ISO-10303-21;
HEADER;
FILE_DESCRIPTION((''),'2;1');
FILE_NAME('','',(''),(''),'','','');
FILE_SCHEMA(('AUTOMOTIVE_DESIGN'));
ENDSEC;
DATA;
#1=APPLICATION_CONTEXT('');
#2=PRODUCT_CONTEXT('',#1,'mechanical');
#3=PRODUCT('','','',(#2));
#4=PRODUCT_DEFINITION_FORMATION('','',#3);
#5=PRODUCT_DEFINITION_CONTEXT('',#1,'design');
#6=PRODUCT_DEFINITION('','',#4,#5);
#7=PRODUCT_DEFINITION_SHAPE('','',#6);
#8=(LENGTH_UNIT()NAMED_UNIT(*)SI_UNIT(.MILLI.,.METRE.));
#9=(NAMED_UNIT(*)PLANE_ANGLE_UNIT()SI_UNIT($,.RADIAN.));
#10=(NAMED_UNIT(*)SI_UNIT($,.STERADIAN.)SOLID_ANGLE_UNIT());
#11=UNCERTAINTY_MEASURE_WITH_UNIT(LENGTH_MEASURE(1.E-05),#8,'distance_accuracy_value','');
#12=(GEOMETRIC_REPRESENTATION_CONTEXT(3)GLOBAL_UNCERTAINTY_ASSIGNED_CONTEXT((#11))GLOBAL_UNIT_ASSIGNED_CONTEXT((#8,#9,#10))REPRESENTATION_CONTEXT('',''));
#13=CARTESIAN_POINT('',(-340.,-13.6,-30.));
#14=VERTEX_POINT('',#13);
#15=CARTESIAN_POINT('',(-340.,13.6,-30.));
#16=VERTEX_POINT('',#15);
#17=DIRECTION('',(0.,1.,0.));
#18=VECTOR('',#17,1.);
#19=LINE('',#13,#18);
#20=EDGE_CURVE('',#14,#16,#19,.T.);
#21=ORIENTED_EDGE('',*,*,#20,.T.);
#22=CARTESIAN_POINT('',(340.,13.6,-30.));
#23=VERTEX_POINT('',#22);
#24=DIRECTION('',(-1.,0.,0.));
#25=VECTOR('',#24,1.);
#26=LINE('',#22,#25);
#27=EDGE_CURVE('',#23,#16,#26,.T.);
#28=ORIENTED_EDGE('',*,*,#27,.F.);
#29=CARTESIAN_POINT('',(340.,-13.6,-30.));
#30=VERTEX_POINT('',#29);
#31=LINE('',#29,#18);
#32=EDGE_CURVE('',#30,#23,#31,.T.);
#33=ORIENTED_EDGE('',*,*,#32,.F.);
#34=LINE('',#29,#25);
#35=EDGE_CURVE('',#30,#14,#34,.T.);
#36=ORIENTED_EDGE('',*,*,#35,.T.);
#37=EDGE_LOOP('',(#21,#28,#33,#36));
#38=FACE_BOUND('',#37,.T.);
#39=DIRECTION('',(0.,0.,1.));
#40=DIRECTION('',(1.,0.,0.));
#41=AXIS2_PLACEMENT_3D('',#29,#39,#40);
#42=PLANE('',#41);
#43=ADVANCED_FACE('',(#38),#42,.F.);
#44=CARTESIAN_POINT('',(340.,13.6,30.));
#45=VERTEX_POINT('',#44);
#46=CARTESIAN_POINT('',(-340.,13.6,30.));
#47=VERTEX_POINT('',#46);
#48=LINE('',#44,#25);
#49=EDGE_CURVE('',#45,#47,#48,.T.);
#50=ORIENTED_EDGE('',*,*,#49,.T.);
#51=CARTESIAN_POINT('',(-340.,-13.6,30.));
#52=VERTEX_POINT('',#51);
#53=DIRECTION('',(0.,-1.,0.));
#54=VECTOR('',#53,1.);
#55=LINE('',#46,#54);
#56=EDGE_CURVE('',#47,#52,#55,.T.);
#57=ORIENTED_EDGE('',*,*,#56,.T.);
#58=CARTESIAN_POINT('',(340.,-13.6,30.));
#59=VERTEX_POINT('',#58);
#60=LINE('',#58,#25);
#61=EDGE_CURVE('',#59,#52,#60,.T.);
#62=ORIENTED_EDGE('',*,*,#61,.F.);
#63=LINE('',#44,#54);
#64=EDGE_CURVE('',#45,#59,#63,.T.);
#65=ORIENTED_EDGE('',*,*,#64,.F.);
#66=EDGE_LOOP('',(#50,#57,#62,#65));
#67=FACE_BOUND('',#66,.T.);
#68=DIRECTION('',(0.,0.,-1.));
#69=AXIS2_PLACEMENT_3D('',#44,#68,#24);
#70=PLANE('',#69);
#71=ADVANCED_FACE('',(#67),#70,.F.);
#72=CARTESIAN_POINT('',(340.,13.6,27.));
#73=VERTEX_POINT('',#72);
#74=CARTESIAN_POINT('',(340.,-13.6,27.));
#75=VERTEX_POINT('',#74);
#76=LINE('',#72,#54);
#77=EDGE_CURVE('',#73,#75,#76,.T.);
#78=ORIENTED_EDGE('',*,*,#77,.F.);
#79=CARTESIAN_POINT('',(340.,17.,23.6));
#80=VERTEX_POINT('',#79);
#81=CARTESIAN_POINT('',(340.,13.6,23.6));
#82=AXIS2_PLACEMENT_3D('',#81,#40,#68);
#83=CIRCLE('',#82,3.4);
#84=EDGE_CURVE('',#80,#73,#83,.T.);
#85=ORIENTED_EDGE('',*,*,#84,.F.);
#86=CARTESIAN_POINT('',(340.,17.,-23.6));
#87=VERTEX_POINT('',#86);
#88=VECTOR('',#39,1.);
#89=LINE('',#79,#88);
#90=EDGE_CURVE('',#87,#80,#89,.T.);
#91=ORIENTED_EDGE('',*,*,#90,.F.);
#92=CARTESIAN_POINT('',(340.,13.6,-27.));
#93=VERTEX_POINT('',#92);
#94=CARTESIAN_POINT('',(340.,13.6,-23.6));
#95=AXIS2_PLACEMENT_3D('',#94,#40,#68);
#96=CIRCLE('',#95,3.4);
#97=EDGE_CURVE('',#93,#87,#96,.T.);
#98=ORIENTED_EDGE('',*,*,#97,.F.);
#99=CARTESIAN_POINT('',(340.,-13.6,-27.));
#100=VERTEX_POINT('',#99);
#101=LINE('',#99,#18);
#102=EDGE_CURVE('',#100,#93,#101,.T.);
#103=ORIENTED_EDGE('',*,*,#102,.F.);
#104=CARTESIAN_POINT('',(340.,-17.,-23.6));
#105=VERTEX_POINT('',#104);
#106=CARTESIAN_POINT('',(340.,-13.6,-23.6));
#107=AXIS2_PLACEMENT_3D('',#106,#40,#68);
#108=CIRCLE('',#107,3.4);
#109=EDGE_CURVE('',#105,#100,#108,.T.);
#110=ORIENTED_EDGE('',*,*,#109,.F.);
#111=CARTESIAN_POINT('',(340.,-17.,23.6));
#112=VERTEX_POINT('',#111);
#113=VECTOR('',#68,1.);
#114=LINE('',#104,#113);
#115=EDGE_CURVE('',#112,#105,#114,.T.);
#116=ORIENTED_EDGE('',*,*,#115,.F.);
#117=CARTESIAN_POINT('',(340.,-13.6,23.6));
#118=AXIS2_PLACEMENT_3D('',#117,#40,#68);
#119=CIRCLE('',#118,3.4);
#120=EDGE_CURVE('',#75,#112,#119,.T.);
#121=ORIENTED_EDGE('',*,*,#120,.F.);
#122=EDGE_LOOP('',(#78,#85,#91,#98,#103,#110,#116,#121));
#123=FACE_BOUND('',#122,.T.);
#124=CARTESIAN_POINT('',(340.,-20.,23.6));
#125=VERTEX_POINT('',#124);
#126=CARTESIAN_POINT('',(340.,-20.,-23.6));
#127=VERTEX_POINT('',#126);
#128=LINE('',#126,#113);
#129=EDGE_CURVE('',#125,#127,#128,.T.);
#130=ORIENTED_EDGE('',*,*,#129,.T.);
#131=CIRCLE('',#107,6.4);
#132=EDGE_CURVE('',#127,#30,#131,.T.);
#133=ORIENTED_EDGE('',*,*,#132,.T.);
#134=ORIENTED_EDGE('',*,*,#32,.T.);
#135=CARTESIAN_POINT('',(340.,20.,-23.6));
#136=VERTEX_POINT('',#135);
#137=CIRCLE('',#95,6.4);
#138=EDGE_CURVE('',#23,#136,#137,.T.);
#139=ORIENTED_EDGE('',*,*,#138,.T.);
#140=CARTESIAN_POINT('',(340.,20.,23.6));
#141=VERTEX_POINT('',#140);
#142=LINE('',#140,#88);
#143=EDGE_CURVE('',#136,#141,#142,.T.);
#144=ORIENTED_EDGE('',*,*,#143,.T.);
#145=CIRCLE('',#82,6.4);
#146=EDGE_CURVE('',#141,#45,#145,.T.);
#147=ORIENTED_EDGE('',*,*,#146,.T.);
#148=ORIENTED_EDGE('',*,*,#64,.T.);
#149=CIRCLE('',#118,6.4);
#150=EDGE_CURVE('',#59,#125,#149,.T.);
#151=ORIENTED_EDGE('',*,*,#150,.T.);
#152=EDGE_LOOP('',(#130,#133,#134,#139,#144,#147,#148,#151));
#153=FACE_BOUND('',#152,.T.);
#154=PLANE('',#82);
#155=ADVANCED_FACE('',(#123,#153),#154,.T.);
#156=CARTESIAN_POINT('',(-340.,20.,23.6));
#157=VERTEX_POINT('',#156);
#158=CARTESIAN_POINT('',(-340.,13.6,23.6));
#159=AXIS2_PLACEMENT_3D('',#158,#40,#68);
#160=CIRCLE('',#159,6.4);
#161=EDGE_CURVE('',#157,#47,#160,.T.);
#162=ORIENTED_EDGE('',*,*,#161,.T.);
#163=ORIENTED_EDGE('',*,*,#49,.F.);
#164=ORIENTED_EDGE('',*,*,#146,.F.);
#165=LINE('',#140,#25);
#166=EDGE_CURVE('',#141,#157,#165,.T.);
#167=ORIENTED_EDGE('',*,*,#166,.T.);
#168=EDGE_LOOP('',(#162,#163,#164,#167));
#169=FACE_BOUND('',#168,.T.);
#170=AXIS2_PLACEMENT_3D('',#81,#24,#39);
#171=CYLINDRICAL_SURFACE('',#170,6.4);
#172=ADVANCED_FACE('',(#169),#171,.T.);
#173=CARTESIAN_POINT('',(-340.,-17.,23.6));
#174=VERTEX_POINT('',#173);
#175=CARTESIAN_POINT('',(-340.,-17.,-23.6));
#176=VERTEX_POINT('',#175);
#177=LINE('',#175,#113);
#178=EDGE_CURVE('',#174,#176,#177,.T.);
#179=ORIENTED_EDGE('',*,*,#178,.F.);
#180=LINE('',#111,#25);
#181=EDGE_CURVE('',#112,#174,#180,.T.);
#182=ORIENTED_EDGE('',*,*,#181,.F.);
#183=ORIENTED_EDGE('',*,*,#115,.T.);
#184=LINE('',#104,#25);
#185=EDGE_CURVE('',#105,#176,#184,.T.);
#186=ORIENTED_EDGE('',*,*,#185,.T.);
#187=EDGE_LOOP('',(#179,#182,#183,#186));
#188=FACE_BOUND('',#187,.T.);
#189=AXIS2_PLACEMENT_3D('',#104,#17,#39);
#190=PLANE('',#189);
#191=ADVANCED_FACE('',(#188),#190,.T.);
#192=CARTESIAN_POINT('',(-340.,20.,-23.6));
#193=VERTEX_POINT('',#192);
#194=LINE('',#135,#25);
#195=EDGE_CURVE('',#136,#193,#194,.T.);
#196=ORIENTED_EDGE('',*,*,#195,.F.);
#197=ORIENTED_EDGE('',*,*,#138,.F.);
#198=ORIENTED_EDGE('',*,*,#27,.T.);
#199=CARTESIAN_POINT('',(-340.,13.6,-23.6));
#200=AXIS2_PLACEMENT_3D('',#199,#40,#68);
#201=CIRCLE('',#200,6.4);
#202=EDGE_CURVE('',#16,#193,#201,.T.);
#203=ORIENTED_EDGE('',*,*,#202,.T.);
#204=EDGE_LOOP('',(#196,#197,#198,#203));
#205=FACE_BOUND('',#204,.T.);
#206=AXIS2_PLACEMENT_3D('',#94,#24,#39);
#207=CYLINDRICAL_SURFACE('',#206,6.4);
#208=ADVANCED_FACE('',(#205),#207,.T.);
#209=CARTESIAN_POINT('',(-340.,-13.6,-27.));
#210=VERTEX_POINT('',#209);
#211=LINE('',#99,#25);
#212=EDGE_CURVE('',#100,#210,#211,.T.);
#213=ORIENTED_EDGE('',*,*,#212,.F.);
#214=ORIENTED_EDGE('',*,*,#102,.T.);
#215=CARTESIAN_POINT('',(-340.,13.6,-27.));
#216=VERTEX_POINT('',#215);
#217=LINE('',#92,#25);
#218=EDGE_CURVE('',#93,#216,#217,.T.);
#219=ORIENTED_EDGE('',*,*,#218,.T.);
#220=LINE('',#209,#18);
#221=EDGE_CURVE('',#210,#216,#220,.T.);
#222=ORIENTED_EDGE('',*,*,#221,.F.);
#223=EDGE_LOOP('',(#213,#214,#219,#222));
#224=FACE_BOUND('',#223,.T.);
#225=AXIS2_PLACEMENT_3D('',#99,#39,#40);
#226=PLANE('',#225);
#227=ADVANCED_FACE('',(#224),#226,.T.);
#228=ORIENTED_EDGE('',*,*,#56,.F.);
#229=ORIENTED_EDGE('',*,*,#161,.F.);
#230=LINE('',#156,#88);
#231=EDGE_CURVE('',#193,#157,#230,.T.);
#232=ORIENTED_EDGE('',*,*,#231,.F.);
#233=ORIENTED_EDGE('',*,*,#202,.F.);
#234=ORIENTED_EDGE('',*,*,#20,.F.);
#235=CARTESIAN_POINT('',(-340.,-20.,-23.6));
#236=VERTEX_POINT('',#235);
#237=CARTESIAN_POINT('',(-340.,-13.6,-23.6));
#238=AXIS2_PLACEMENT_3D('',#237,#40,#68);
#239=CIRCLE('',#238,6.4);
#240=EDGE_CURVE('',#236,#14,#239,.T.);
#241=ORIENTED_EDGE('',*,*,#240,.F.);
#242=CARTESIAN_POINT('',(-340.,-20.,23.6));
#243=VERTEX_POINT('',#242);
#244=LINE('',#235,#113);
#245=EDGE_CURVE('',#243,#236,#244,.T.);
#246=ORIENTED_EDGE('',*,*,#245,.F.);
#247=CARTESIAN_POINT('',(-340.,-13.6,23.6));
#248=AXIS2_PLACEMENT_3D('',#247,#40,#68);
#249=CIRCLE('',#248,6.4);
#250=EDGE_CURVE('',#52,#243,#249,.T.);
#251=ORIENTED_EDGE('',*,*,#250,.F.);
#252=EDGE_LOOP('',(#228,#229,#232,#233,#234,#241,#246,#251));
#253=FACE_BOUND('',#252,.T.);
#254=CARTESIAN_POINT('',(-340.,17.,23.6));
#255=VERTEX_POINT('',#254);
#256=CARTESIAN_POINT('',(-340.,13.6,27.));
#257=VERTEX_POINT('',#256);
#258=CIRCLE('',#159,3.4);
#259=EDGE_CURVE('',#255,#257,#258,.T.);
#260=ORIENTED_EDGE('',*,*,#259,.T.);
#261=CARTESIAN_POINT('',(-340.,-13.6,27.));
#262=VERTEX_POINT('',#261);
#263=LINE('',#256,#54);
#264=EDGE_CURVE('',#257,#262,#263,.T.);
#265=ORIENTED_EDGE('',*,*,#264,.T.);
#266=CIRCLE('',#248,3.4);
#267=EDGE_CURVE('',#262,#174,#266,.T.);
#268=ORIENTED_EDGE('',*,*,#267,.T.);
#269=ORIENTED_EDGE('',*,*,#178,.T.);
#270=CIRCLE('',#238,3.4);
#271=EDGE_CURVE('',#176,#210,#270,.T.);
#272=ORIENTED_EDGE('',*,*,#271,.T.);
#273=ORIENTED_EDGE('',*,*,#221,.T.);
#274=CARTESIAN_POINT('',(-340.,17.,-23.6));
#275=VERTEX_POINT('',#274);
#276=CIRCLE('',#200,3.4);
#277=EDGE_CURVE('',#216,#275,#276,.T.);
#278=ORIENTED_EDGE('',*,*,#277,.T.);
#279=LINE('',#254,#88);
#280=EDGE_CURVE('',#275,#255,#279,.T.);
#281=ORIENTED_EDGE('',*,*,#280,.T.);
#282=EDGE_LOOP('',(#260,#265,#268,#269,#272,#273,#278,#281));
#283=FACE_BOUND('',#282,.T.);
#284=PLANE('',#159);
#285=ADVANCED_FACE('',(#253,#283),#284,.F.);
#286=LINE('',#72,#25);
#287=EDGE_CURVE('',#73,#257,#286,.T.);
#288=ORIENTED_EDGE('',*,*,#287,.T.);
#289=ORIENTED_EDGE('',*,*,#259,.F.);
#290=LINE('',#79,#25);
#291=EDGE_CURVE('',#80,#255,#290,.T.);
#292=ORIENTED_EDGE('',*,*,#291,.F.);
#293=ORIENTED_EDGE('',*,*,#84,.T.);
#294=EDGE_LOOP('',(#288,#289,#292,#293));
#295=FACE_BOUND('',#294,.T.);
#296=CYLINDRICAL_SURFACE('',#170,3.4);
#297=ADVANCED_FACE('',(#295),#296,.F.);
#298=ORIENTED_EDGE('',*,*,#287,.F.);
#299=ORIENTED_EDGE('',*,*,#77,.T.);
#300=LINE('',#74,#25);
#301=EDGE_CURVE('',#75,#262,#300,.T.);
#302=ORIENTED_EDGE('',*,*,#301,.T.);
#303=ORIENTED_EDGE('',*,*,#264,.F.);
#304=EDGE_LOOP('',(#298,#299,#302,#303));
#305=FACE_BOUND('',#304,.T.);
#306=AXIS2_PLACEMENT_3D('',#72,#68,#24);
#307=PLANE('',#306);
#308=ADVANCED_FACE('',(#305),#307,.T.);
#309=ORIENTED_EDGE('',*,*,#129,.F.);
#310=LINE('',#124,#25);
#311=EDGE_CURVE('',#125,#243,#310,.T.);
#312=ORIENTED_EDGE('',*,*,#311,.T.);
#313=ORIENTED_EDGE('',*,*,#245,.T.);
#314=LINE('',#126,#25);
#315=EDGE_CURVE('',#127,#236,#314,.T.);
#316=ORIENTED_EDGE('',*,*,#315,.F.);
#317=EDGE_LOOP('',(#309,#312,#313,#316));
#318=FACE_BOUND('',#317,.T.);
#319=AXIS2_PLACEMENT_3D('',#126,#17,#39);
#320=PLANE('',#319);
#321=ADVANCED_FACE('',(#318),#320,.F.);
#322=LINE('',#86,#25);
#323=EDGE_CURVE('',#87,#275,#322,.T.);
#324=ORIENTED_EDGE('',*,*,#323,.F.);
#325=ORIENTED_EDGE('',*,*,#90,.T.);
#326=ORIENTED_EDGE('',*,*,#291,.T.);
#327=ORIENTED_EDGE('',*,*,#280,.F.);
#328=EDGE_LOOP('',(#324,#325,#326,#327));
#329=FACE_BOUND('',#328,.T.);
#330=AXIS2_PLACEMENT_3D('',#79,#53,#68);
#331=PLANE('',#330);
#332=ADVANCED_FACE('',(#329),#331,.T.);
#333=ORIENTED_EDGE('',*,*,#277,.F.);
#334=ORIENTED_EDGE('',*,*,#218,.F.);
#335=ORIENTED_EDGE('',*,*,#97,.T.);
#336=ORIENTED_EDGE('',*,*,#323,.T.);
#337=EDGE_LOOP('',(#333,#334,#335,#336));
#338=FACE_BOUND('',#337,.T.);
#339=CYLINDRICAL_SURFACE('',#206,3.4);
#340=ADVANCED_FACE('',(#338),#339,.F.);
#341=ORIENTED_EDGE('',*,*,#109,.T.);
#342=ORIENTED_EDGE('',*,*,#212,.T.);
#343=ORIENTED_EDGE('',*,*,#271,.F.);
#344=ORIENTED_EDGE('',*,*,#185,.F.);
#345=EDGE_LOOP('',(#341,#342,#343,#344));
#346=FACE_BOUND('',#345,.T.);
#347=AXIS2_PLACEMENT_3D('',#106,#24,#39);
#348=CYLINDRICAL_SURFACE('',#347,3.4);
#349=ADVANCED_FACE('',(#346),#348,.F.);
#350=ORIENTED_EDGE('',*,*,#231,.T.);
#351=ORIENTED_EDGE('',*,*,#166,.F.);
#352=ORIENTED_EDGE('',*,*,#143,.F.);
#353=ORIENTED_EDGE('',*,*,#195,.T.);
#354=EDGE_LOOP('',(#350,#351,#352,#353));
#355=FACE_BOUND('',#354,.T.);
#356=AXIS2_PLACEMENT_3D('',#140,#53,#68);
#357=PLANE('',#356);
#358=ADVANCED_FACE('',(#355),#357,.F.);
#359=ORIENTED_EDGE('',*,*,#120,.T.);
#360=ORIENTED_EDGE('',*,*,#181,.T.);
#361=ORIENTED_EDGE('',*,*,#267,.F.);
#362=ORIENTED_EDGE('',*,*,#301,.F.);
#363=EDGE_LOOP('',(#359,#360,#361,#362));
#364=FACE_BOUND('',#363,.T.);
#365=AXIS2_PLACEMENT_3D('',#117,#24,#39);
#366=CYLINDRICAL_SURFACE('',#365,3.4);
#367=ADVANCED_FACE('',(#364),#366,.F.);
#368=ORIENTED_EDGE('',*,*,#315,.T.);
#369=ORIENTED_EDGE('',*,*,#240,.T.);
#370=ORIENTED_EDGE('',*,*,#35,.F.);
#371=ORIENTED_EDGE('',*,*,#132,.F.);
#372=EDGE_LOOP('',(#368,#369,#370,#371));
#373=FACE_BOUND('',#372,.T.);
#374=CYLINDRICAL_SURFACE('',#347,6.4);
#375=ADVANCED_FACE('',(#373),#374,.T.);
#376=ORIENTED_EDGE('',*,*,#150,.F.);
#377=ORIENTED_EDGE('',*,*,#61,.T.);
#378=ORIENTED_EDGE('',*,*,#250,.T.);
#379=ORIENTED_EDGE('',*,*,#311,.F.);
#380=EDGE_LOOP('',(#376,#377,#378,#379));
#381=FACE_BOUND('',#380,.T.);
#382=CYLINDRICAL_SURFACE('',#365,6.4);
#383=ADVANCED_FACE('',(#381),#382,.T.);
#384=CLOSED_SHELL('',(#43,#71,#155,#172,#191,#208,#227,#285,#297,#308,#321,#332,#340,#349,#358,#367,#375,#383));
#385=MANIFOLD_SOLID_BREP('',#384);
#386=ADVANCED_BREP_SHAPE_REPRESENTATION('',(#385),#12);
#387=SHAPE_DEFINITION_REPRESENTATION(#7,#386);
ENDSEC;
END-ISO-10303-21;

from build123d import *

# Parameters (mm, degrees)
RECTANGULAR_TUBE_CONFIGURED_60_X_40_X_DEPTH = 680


with BuildPart() as part:
    # Sketch1 → Rectangular tube - configured 60 X 40 X 3.2(2) (new body)
    with BuildSketch(Plane.YZ.offset(-340)):
        with BuildLine():
            Line((-13.6, -30), (13.6, -30))
            ThreePointArc((13.6, -30), (18.1254834, -28.1254834), (20, -23.6))
            Line((20, -23.6), (20, 23.6))
            ThreePointArc((20, 23.6), (18.1254834, 28.1254834), (13.6, 30))
            Line((13.6, 30), (-13.6, 30))
            ThreePointArc((-13.6, 30), (-18.1254834, 28.1254834), (-20, 23.6))
            Line((-20, 23.6), (-20, -23.6))
            ThreePointArc((-20, -23.6), (-18.1254834, -28.1254834), (-13.6, -30))
        make_face()
        with BuildLine():
            Line((-13.6, -27), (13.6, -27))
            ThreePointArc((13.6, -27), (16.004163056, -26.004163056), (17, -23.6))
            Line((17, -23.6), (17, 23.6))
            ThreePointArc((17, 23.6), (16.004163056, 26.004163056), (13.6, 27))
            Line((13.6, 27), (-13.6, 27))
            ThreePointArc((-13.6, 27), (-16.004163056, 26.004163056), (-17, 23.6))
            Line((-17, 23.6), (-17, -23.6))
            ThreePointArc((-17, -23.6), (-16.004163056, -26.004163056), (-13.6, -27))
        make_face(mode=Mode.SUBTRACT)
    extrude(amount=RECTANGULAR_TUBE_CONFIGURED_60_X_40_X_DEPTH)


solid = part.part
